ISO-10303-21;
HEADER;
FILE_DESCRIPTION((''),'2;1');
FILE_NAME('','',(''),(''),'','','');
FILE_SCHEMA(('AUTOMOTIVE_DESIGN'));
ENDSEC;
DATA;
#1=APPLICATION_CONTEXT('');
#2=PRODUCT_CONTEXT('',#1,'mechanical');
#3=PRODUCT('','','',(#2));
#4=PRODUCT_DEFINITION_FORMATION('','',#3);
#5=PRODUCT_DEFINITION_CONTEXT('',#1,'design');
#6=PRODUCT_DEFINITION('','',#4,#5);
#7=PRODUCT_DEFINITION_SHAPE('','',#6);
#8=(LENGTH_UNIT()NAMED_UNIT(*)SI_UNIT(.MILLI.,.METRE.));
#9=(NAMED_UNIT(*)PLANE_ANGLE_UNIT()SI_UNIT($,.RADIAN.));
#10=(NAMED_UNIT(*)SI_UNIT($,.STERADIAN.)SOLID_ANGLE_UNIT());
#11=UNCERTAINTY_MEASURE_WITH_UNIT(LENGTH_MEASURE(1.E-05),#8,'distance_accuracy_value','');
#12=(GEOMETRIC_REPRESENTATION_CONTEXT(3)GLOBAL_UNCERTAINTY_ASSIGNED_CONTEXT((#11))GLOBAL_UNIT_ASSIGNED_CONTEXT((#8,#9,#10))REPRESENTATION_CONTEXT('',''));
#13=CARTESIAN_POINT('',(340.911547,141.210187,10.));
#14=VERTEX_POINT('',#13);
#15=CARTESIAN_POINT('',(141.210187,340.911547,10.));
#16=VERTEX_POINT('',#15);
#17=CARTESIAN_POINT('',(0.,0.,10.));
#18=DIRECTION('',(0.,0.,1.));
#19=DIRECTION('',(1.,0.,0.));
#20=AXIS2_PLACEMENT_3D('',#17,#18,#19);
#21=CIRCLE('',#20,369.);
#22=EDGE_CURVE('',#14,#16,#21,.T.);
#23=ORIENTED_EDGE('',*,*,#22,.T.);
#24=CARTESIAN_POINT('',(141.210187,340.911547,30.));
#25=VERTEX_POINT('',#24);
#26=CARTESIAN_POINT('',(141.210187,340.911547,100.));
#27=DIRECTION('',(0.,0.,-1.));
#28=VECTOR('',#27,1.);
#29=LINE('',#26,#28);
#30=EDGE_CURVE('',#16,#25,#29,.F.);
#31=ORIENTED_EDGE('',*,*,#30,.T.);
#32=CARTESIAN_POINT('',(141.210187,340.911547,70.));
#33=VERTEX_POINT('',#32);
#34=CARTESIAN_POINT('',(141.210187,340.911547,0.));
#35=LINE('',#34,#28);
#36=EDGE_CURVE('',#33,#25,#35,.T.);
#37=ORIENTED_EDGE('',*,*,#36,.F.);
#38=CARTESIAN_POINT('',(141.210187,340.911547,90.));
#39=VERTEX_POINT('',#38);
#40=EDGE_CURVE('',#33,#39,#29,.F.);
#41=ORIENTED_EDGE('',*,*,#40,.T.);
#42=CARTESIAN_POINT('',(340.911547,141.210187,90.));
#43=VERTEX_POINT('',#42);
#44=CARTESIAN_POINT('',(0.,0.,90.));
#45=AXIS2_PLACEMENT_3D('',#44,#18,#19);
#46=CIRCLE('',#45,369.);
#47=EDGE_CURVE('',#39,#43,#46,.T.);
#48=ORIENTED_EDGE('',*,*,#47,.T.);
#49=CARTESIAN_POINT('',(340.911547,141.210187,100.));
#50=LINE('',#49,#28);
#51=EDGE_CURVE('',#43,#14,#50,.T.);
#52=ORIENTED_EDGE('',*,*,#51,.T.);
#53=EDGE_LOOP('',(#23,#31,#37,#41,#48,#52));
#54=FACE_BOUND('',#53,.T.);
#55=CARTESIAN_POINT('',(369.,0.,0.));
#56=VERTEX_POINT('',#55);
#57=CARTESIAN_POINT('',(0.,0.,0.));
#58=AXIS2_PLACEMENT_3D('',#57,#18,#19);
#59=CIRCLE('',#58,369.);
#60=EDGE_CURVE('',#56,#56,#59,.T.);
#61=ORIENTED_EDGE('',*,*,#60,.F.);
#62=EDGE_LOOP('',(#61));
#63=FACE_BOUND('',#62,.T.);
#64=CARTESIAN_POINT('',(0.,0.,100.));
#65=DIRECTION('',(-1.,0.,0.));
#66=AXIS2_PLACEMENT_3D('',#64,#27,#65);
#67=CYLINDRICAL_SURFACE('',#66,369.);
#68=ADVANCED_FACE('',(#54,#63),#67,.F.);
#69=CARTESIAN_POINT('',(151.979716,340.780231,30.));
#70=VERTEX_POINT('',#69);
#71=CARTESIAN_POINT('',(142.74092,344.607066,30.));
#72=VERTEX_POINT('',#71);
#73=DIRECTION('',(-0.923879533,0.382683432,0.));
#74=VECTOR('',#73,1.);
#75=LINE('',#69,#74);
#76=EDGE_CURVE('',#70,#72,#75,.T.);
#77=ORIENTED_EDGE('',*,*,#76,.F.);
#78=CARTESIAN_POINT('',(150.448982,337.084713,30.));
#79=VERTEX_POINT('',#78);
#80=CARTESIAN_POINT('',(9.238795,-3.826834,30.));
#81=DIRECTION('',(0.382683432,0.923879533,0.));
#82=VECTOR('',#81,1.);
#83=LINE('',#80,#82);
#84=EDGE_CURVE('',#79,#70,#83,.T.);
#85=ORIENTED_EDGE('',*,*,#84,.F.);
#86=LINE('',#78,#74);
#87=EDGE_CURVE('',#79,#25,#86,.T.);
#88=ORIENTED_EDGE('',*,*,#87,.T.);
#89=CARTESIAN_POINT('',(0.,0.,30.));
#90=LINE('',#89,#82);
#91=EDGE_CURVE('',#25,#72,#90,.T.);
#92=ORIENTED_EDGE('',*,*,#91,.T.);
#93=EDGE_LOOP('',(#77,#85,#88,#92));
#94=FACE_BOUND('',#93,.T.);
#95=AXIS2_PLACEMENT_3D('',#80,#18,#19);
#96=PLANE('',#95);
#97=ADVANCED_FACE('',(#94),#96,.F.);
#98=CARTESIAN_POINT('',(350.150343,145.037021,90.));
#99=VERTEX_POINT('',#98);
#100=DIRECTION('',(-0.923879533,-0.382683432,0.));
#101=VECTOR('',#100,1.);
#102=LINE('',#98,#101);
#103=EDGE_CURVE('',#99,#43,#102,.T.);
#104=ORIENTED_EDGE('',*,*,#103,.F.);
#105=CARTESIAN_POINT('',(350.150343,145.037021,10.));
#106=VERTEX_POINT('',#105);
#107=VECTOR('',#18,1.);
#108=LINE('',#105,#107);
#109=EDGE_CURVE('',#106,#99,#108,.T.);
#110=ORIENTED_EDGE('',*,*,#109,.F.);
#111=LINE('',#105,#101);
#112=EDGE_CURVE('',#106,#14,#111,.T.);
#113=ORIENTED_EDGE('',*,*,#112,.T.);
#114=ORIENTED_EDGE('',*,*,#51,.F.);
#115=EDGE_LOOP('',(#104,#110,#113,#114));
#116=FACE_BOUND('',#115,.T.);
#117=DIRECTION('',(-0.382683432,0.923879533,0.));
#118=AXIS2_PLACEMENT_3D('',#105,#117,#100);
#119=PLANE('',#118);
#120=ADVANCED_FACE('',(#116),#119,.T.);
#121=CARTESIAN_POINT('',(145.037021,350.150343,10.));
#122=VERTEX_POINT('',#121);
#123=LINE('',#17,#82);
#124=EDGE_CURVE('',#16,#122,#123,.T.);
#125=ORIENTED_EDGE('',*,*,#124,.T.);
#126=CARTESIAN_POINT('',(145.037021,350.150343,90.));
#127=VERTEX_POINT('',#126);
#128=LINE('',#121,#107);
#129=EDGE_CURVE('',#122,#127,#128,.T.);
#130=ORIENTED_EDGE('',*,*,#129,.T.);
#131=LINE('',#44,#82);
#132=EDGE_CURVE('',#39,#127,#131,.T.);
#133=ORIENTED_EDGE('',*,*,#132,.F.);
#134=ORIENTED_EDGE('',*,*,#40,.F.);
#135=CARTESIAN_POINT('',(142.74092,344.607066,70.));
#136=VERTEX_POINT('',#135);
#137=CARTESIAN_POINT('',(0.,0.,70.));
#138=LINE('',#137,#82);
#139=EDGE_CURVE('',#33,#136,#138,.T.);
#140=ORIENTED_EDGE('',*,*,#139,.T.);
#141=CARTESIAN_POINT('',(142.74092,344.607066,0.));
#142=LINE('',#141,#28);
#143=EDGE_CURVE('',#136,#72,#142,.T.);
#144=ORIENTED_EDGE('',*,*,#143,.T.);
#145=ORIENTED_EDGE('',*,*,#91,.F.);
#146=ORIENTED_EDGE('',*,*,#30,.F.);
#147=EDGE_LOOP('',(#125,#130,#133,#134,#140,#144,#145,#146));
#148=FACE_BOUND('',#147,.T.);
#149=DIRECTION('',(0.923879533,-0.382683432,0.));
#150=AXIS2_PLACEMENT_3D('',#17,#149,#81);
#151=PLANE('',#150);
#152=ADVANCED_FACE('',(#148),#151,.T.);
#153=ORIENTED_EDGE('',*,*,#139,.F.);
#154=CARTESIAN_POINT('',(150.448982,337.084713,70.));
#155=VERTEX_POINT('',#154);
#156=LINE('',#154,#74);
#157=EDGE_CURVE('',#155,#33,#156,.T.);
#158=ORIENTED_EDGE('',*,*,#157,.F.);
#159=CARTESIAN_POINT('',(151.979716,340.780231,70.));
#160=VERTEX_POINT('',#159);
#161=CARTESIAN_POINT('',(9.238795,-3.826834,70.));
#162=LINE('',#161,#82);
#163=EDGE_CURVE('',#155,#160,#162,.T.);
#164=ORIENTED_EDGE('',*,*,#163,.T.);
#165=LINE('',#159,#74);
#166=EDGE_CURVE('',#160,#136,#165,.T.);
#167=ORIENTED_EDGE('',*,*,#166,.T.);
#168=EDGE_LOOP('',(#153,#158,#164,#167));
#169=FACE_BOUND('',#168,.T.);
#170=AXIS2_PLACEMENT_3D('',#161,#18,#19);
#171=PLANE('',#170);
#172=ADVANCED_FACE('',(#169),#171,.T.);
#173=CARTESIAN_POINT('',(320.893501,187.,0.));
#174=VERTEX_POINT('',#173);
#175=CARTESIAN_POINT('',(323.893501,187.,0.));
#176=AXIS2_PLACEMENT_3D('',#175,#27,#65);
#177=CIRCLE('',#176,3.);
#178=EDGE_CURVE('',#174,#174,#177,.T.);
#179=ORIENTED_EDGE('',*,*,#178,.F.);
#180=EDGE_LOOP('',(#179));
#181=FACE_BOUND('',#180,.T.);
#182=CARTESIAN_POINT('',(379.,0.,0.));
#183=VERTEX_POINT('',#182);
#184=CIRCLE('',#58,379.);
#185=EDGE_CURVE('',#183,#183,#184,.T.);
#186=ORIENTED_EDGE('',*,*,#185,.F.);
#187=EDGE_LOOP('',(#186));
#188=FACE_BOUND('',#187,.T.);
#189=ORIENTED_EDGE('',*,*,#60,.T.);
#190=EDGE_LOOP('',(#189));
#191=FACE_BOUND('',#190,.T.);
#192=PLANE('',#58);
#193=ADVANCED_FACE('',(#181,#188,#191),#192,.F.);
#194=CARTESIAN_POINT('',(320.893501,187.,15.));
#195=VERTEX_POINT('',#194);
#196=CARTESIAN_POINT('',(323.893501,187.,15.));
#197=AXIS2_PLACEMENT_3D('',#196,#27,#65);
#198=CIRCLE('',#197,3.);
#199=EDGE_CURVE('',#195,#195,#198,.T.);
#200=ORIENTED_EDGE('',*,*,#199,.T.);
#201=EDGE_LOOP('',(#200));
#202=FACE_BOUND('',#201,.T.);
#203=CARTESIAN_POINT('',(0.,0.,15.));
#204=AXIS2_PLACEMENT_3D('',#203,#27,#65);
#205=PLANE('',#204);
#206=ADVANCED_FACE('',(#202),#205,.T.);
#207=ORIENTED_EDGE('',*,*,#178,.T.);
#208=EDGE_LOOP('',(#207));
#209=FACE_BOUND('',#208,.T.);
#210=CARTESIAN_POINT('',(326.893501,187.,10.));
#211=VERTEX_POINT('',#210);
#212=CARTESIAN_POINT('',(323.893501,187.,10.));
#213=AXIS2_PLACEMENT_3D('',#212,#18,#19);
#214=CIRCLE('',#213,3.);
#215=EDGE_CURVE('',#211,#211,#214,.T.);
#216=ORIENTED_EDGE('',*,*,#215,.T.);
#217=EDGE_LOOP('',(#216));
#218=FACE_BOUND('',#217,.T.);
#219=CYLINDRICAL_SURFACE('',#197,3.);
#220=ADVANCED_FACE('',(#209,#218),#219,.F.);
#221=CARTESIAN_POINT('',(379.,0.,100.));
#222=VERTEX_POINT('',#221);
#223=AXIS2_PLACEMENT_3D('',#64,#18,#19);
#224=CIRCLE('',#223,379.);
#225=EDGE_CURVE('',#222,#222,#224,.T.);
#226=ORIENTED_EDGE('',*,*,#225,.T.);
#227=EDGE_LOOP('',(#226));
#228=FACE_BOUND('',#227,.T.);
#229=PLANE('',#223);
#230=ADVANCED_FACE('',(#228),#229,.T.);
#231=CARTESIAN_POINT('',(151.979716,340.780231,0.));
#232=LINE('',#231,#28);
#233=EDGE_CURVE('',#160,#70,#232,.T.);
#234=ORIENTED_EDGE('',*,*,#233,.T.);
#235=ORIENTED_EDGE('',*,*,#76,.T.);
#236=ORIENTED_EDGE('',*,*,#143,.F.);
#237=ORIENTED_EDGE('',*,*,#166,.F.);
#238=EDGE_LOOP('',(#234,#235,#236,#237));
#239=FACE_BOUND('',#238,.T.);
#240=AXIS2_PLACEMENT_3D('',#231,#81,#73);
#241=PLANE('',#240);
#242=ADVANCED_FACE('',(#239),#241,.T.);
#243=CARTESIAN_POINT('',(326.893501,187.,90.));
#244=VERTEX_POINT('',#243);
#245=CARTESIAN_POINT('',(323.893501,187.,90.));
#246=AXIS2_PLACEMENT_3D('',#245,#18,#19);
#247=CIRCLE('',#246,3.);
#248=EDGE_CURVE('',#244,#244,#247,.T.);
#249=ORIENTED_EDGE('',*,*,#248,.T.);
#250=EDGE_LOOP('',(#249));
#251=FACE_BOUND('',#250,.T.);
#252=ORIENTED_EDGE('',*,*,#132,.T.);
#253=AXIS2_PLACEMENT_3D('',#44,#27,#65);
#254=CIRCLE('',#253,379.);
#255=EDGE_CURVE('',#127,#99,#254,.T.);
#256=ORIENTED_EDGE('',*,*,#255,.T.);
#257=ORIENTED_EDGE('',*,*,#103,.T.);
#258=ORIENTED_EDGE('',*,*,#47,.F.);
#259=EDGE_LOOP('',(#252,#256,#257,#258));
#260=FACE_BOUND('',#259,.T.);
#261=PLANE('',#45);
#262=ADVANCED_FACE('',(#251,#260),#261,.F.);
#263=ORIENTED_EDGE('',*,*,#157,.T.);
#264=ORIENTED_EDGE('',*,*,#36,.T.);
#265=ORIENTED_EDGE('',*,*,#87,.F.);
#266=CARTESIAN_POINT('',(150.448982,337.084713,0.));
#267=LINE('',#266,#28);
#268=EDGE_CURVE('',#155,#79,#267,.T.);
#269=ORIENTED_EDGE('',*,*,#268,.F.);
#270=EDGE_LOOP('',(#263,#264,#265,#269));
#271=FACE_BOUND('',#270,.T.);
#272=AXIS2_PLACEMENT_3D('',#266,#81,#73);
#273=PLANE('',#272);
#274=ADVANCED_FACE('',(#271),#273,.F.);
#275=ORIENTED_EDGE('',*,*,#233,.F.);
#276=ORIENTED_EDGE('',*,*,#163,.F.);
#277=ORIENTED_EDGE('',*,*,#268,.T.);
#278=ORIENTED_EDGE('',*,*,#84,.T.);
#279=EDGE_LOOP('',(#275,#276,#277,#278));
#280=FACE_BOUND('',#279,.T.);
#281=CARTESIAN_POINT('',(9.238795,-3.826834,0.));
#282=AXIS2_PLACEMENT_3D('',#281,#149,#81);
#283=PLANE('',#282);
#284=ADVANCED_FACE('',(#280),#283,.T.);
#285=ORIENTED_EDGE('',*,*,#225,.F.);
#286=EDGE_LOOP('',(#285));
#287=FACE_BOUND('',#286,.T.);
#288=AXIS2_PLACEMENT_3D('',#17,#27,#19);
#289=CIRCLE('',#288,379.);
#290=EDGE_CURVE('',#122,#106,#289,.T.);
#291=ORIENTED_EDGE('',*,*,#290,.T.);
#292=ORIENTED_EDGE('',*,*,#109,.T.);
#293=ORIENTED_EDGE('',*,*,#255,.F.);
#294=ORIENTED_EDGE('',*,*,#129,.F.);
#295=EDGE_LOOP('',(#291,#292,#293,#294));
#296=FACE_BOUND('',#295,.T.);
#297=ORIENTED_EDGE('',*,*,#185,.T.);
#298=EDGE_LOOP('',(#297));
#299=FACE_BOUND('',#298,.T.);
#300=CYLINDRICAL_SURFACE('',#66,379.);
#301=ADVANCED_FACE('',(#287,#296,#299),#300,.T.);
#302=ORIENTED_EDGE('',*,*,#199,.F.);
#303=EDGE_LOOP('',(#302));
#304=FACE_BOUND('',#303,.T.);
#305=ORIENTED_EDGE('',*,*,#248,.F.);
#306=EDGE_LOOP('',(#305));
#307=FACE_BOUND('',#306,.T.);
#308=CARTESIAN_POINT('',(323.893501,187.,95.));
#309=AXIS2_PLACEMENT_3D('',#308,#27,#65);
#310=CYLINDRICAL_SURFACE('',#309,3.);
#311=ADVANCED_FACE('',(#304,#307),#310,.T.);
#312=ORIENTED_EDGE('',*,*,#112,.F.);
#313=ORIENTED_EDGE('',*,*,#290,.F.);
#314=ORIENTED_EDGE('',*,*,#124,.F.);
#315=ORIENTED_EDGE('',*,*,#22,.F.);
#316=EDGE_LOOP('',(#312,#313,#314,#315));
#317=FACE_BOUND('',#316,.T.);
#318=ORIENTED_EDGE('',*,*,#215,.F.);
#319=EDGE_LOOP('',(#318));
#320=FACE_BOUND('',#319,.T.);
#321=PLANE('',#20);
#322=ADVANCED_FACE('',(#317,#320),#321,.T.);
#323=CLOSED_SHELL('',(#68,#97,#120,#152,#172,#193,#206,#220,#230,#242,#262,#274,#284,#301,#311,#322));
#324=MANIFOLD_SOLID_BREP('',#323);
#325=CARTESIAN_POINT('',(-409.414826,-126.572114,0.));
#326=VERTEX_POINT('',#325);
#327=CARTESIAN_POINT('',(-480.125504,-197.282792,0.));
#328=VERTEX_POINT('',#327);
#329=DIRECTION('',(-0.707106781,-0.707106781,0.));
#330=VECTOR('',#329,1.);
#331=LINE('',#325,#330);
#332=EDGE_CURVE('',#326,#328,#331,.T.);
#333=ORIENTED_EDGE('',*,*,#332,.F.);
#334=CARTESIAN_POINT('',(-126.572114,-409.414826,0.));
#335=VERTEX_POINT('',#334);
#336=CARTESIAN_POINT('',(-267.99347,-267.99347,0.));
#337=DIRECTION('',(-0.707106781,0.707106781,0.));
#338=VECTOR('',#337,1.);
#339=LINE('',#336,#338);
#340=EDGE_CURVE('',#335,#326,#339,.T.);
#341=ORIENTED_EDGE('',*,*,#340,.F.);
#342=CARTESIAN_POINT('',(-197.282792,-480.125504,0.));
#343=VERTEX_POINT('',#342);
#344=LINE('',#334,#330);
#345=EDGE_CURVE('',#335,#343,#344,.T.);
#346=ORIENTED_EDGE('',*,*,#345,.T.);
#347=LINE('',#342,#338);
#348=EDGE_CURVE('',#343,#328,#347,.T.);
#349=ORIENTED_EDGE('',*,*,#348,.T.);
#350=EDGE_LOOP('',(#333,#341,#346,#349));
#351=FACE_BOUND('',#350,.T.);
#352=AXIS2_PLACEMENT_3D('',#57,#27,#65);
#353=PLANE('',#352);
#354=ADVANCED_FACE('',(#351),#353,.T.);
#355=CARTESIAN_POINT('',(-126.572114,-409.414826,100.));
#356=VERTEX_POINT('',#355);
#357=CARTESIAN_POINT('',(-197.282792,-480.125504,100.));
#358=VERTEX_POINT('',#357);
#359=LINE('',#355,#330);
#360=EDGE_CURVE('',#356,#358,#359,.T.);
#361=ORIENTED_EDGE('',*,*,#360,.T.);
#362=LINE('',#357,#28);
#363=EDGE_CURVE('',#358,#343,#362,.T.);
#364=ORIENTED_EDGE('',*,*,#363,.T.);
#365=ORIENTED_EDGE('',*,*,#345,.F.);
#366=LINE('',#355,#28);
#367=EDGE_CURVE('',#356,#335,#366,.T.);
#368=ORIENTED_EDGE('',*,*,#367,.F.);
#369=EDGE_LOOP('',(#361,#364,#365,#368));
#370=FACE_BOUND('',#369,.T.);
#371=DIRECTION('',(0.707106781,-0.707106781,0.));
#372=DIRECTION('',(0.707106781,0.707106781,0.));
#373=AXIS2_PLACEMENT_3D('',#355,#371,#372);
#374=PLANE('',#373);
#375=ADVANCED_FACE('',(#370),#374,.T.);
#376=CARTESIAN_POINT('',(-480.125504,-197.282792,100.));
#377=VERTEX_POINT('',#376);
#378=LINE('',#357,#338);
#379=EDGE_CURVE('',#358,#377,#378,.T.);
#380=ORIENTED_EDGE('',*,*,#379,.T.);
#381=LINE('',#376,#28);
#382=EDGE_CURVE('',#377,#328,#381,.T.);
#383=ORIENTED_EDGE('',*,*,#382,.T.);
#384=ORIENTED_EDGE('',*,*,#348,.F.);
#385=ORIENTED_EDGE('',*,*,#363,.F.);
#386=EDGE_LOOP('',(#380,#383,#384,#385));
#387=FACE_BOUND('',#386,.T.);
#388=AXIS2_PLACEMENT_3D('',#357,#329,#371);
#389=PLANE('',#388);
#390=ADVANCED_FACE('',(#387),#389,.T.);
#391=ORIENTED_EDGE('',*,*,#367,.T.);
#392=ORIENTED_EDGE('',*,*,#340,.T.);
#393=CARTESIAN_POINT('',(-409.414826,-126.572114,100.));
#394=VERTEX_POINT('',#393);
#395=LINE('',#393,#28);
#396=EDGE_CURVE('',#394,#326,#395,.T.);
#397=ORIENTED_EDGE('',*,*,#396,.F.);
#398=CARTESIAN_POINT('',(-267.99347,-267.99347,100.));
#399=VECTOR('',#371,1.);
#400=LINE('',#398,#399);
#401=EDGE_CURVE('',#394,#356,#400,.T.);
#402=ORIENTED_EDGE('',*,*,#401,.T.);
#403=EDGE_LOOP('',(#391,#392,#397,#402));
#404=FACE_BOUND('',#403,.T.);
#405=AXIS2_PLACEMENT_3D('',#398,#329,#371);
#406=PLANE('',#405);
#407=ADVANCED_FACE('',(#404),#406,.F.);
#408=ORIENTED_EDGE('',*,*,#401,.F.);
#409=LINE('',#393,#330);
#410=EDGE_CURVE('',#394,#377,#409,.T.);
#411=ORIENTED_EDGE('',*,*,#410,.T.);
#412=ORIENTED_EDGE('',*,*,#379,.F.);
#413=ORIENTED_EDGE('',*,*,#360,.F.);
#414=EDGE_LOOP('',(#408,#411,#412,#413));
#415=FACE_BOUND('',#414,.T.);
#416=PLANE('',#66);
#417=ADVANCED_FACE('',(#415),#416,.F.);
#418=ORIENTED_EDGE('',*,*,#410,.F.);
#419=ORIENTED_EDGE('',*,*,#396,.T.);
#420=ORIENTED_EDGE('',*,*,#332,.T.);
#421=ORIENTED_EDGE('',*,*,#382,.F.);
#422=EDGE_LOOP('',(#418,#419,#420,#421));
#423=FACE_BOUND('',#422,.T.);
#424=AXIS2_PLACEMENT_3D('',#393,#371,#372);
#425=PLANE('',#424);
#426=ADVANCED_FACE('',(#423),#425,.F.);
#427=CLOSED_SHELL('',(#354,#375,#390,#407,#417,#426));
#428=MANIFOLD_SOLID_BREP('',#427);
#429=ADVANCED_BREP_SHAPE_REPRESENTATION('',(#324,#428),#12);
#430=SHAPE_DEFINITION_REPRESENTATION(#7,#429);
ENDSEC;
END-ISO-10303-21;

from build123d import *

# Parameters (mm, degrees)
BOSS_EXTRU_1_DEPTH       = 100
ESQUISSE1_R              = 379
BOSS_EXTRU_1_2_DEPTH     = 100
COQUE3_T                 = -10
ENL_V_MAT_EXTRU_4_DEPTH  = 80
BOSS_EXTRU_3_DEPTH       = 85
BOSS_EXTRU_3_DEPTH_BACK  = 5
ESQUISSE5_R              = 3
ESQUISSE7_R              = 3
ENL_V_MAT_EXTRU_12_DEPTH = 15
BOSS_EXTRU_27_DEPTH      = 10


with BuildPart() as part:
    # Esquisse1 → Boss.-Extru.1 (new body)
    with BuildSketch(Plane.XY):
        Polygon((-126.572113832, -409.414826307), (-267.99347007, -267.99347007), (-409.414826307, -126.572113832), (-480.125504426, -197.282791951), (-197.282791951, -480.125504426), align=None)
    extrude(amount=BOSS_EXTRU_1_DEPTH)


with BuildPart() as body_2:
    # Esquisse1 → Boss.-Extru.1 2 (new body)
    with BuildSketch(Plane.XY):
        Circle(ESQUISSE1_R)
    extrude(amount=BOSS_EXTRU_1_2_DEPTH)

    # Coque3
    coque3_openings = [body_2.faces().sort_by_distance(p)[0] for p in [
        (0, 0, 0),
    ]]
    offset(amount=COQUE3_T, openings=coque3_openings, kind=Kind.INTERSECTION)

    # Esquisse3 → Enlèv. mat.-Extru.4 (cut)
    with BuildSketch(Plane(origin=(0, 0, 90), x_dir=(-1, 0, 0), z_dir=(0, 0, -1))):
        with BuildLine():
            Line((-350.150342822, 145.037020866), (0, 0))
            Line((0, 0), (-145.037020866, 350.150342822))
            ThreePointArc((-145.037020866, 350.150342822), (-210.561118314, 315.126983063), (-267.99347007, 267.99347007))
            ThreePointArc((-267.99347007, 267.99347007), (-315.126983063, 210.561118314), (-350.150342822, 145.037020866))
        make_face()
    extrude(amount=ENL_V_MAT_EXTRU_4_DEPTH, mode=Mode.SUBTRACT)

    # Esquisse5 → Boss.-Extru.3 (add, two sides: drawn at the far end of the back side and taken through both)
    with BuildSketch(Plane(origin=(0, 0, 90), x_dir=(-1, 0, 0), z_dir=(0, 0, -1)).offset(-BOSS_EXTRU_3_DEPTH_BACK)):
        with Locations(Location((-323.893501015, 187, 0), (0, 0, 180))):
            Circle(ESQUISSE5_R)
    extrude(amount=BOSS_EXTRU_3_DEPTH + BOSS_EXTRU_3_DEPTH_BACK)

    # Esquisse7 → Enlèv. mat.-Extru.12 (cut)
    with BuildSketch(Plane(origin=(0, 0, 0), x_dir=(-1, 0, 0), z_dir=(0, 0, -1))):
        with Locations((-323.893501015, 187)):
            Circle(ESQUISSE7_R)
    extrude(amount=-ENL_V_MAT_EXTRU_12_DEPTH, mode=Mode.SUBTRACT)

    # Esquisse12 → Boss.-Extru.27 (add)
    with BuildSketch(Plane(origin=(0, 0, 0), x_dir=(0, 0, -1), z_dir=(0.9238795325112816, -0.3826834323651025, 0))):
        Polygon((-70, 373), (-70, 369), (-50, 369), (-30, 369), (-30, 373), align=None)
    extrude(amount=BOSS_EXTRU_27_DEPTH)


solid = Compound([part.part, body_2.part])
